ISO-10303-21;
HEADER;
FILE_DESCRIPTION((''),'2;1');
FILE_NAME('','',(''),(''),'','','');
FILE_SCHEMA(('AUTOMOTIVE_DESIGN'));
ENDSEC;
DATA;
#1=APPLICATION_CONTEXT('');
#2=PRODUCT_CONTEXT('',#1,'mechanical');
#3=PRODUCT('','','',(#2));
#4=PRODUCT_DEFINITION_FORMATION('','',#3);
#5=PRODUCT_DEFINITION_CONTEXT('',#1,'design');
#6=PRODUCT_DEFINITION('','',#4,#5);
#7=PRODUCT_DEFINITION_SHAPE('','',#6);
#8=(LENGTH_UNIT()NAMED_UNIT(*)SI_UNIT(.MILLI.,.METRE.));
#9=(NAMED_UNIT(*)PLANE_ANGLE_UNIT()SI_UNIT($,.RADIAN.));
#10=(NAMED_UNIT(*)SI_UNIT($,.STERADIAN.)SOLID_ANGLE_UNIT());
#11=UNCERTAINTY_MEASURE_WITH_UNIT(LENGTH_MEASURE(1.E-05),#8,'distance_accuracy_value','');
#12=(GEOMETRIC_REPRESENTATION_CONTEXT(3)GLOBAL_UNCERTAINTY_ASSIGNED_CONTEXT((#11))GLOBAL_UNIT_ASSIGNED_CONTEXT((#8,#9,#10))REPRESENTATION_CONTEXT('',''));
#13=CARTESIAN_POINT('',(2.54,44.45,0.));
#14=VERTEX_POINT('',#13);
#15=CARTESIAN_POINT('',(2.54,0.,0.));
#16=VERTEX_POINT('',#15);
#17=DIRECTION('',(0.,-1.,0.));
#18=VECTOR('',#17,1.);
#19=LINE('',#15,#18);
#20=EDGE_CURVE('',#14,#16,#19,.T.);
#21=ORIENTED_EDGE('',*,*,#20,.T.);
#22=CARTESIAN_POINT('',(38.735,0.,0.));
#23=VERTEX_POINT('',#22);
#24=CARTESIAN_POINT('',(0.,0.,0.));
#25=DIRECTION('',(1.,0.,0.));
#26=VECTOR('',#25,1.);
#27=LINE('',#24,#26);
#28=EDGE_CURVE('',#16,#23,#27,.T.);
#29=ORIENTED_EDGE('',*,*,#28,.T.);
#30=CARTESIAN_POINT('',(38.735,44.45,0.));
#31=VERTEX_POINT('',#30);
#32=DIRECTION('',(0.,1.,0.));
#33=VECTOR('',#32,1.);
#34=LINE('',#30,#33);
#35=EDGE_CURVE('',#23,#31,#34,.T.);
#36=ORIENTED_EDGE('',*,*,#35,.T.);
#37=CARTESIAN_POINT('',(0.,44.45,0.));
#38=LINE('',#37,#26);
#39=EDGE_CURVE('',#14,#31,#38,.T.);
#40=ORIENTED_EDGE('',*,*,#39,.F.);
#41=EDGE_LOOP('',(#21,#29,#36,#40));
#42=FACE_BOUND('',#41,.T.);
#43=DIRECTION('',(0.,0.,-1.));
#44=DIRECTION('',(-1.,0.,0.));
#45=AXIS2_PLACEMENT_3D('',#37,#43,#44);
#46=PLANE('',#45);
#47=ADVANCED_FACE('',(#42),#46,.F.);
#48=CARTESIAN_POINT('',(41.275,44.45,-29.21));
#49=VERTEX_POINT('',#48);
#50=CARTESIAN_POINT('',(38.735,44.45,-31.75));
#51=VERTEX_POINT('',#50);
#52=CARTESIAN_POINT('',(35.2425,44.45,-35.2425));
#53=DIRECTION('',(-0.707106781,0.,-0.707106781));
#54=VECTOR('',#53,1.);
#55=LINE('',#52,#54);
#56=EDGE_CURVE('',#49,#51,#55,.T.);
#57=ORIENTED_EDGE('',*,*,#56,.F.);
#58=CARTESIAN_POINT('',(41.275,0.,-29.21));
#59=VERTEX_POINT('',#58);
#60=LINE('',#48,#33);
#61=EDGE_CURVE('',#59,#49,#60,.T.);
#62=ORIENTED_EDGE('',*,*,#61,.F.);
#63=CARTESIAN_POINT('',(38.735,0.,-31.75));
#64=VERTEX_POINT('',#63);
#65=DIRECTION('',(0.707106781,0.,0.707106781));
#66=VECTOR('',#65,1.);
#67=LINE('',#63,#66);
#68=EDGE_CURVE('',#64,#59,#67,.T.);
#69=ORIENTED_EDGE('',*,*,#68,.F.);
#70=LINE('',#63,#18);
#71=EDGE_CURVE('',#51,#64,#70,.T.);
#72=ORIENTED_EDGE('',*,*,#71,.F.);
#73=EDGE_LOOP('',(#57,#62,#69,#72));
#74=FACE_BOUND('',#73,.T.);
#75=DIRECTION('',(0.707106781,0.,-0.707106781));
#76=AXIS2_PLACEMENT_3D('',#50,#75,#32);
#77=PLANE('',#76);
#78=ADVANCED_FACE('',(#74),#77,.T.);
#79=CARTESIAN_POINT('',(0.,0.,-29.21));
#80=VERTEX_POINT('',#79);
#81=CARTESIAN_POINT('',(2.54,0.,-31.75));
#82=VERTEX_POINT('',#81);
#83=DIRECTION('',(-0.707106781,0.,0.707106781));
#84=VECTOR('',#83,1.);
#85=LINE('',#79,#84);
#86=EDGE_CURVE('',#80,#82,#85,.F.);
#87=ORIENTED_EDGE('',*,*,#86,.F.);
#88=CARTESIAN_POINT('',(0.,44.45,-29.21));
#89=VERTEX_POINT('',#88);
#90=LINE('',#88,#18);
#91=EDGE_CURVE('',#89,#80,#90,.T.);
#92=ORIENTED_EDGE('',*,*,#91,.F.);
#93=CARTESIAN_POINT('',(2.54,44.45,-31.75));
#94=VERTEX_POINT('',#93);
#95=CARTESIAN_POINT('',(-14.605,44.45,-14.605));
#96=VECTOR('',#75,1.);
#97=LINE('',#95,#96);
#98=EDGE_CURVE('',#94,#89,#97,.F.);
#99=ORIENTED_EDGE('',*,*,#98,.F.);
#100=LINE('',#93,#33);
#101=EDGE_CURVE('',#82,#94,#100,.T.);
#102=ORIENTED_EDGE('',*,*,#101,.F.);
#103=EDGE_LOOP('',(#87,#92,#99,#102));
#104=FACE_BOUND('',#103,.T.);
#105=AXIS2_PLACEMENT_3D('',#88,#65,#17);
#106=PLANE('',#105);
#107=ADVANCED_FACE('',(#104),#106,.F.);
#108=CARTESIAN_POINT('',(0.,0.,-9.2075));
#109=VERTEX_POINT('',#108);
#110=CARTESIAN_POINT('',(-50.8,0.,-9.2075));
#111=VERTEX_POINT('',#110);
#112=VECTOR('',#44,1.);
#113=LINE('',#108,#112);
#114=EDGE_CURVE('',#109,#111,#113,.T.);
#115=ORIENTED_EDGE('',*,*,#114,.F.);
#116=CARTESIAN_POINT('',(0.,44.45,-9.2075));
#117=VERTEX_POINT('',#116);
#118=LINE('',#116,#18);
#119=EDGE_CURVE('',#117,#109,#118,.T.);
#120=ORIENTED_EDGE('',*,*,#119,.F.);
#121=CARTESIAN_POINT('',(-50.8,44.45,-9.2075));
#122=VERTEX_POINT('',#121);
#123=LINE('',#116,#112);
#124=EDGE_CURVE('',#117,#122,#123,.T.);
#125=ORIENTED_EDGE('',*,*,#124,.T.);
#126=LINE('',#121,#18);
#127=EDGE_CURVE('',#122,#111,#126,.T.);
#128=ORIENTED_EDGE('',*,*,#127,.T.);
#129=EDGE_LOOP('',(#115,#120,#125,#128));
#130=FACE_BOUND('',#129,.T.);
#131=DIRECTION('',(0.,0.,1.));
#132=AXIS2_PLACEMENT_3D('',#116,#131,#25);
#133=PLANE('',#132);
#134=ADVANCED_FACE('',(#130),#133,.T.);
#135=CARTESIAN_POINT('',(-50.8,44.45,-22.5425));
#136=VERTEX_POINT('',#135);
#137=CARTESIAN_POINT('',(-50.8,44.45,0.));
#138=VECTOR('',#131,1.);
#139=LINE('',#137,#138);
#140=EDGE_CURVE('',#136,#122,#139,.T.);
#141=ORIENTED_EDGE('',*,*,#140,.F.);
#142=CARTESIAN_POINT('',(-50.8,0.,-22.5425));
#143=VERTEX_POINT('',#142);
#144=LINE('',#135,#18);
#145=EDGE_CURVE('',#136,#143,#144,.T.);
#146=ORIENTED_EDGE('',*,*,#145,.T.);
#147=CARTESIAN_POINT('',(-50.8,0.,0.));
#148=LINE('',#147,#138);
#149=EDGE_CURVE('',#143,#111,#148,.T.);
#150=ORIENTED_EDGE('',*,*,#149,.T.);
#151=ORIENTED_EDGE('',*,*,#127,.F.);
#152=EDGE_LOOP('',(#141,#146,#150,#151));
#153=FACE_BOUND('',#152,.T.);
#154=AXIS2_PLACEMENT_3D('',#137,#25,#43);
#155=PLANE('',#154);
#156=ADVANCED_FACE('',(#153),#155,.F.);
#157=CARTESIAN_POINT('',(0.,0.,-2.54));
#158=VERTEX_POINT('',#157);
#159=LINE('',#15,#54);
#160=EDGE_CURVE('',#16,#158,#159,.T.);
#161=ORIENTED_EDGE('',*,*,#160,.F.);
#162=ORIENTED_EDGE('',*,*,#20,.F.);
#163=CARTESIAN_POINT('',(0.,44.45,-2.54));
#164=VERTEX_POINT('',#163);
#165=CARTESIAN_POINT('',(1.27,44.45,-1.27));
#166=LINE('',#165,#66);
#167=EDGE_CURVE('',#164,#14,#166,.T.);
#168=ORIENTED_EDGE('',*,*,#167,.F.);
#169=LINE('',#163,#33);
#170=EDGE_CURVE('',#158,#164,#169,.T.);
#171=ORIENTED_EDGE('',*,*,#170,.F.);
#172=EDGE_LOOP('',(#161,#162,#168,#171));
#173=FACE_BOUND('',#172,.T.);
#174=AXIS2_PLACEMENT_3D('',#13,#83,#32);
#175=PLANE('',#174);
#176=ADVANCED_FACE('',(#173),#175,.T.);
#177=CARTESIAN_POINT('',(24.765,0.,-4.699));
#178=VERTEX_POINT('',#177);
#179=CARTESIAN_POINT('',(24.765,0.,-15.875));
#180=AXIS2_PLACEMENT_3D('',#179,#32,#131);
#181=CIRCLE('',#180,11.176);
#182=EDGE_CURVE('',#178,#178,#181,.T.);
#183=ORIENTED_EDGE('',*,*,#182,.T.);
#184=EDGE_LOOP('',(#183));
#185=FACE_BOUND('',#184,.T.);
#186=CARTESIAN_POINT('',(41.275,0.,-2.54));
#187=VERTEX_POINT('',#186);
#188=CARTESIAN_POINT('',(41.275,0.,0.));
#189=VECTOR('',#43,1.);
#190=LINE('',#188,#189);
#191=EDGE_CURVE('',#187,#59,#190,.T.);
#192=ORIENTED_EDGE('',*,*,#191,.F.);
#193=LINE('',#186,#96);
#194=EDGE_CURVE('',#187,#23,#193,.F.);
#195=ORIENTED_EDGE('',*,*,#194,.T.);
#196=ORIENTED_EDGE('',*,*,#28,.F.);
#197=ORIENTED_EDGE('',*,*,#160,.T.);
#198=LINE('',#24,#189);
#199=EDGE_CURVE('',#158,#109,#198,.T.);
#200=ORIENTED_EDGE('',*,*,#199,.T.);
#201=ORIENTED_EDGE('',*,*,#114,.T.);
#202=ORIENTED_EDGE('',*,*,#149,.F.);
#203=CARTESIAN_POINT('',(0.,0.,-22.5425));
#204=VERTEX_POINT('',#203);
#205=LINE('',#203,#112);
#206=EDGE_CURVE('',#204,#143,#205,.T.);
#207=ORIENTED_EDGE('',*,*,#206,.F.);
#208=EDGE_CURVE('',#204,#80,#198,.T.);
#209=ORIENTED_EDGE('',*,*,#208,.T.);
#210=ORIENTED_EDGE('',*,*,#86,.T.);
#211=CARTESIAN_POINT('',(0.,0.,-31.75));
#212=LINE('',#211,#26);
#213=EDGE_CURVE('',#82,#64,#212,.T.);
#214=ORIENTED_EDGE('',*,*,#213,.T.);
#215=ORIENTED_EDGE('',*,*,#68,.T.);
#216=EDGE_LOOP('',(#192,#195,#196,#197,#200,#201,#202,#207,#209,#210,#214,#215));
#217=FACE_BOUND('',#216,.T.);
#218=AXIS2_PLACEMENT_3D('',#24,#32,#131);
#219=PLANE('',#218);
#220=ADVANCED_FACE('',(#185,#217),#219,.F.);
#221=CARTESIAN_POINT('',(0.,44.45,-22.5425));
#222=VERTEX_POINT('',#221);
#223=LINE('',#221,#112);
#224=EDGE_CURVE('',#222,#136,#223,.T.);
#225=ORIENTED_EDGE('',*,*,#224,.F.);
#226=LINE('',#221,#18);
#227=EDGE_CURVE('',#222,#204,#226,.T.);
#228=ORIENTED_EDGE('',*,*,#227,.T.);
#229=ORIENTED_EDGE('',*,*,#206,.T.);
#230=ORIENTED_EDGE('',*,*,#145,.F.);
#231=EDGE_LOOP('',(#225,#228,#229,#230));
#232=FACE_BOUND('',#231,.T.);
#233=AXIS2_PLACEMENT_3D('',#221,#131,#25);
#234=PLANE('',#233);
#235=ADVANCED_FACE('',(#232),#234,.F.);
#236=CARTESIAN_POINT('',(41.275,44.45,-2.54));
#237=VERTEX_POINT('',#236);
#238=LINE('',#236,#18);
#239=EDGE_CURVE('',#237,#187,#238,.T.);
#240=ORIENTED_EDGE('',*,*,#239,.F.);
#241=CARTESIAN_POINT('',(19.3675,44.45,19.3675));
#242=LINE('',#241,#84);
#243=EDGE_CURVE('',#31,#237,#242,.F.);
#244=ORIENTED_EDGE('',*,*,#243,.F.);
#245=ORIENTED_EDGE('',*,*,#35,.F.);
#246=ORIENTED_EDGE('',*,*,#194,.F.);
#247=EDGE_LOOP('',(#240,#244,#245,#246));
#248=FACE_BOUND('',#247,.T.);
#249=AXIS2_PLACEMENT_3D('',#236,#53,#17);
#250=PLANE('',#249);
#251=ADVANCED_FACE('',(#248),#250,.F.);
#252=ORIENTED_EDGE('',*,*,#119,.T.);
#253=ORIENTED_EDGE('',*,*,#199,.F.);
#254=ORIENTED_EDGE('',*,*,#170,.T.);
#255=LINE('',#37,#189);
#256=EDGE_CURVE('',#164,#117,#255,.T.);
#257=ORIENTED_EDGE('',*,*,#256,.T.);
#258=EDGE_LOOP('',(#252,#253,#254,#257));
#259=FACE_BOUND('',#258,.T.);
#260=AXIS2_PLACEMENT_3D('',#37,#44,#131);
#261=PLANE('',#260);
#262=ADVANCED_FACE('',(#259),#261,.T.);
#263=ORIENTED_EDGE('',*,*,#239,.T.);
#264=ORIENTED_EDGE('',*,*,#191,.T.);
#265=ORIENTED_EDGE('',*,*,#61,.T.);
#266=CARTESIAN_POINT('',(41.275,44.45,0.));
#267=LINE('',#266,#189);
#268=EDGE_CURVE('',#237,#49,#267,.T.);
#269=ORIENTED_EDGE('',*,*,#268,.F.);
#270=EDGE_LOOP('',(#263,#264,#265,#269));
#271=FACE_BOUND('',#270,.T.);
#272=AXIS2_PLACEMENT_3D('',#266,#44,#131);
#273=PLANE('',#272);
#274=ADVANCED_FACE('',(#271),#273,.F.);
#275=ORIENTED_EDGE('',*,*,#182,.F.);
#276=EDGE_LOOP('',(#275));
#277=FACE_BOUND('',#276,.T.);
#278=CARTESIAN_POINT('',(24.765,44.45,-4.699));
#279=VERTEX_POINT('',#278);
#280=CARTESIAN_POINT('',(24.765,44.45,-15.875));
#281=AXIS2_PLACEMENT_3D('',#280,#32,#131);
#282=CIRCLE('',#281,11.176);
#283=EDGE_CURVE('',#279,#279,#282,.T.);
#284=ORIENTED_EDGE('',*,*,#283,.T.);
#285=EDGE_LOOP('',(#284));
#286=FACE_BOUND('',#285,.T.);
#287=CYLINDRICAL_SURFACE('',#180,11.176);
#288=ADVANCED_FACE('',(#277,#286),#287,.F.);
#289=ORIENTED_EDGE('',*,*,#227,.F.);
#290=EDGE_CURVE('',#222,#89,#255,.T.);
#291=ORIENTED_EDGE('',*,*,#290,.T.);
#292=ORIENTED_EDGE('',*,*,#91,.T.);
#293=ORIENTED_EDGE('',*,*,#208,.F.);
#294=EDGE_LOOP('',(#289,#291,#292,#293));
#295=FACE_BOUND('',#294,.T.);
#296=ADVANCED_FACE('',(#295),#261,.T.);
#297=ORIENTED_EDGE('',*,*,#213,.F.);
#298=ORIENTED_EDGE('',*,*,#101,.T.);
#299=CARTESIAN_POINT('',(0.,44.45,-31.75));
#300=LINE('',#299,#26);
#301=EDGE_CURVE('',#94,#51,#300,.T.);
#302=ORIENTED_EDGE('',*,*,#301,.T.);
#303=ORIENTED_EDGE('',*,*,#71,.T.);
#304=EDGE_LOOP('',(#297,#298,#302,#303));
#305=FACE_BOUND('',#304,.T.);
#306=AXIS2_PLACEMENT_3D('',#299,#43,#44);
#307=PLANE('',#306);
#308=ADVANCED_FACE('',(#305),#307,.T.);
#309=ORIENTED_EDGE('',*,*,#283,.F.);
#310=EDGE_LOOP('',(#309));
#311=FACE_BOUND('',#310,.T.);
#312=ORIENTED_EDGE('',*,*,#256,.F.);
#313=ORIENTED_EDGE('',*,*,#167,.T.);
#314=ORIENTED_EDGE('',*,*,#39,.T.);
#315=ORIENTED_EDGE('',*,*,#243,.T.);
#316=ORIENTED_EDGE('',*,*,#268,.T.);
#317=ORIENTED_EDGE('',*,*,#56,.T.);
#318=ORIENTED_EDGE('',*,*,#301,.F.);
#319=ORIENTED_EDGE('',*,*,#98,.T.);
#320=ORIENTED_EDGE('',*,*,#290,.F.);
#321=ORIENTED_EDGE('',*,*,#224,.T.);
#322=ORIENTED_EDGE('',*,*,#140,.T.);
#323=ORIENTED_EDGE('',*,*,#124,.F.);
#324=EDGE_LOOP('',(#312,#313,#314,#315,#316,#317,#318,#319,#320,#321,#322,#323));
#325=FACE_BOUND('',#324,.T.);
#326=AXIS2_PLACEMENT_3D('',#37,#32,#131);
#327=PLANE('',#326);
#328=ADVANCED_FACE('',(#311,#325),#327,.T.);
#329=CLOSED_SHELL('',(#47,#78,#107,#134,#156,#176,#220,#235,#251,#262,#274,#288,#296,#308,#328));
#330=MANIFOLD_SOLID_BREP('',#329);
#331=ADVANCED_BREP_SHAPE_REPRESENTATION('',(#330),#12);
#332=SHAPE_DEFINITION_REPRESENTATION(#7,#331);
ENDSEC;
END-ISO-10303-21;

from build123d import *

# Parameters (mm, degrees)
SKETCH1_W           = 50.8
SKETCH1_H           = 6.6675
BOSS_EXTRUDE1_DEPTH = 44.45
CHAMFER1_SIZE       = 2.54
CHAMFER2_SIZE       = 2.54
SKETCH2_R           = 11.176
CUT_EXTRUDE1_DEPTH  = 44.45


with BuildPart() as part:
    # Sketch1 → Boss-Extrude1 (new body)
    with BuildSketch(Plane(origin=(0, 0, 0), x_dir=(1, 0, 0), z_dir=(0, 1, 0))):
        Polygon((0, 22.5425), (0, 15.875), (0, 9.2075), (0, 0), (41.275, 0), (41.275, 31.75), (0, 31.75), align=None)
        with Locations((-25.4, 19.20875)):
            Rectangle(SKETCH1_W, SKETCH1_H)
        with Locations((-25.4, 12.54125)):
            Rectangle(SKETCH1_W, SKETCH1_H)
    extrude(amount=BOSS_EXTRUDE1_DEPTH)

    # Chamfer1
    chamfer1_edges = [part.edges().sort_by_distance(p)[0] for p in [
        (0, 22.225, 0),
        (41.275, 22.225, -31.75),
        (41.275, 22.225, 0),
    ]]
    chamfer(chamfer1_edges, length=CHAMFER1_SIZE)

    # Chamfer2
    chamfer2_edges = [part.edges().sort_by_distance(p)[0] for p in [
        (0, 22.225, -31.75),
    ]]
    chamfer(chamfer2_edges, length=CHAMFER2_SIZE)

    # Sketch2 → Cut-Extrude1 (cut)
    with BuildSketch(Plane(origin=(0, 44.45, 0), x_dir=(1, 0, 0), z_dir=(0, 1, 0))):
        with Locations(Location((24.765, 15.875, 0), (0, 0, 270))):
            Circle(SKETCH2_R)
    extrude(amount=-CUT_EXTRUDE1_DEPTH, mode=Mode.SUBTRACT)


solid = part.part
